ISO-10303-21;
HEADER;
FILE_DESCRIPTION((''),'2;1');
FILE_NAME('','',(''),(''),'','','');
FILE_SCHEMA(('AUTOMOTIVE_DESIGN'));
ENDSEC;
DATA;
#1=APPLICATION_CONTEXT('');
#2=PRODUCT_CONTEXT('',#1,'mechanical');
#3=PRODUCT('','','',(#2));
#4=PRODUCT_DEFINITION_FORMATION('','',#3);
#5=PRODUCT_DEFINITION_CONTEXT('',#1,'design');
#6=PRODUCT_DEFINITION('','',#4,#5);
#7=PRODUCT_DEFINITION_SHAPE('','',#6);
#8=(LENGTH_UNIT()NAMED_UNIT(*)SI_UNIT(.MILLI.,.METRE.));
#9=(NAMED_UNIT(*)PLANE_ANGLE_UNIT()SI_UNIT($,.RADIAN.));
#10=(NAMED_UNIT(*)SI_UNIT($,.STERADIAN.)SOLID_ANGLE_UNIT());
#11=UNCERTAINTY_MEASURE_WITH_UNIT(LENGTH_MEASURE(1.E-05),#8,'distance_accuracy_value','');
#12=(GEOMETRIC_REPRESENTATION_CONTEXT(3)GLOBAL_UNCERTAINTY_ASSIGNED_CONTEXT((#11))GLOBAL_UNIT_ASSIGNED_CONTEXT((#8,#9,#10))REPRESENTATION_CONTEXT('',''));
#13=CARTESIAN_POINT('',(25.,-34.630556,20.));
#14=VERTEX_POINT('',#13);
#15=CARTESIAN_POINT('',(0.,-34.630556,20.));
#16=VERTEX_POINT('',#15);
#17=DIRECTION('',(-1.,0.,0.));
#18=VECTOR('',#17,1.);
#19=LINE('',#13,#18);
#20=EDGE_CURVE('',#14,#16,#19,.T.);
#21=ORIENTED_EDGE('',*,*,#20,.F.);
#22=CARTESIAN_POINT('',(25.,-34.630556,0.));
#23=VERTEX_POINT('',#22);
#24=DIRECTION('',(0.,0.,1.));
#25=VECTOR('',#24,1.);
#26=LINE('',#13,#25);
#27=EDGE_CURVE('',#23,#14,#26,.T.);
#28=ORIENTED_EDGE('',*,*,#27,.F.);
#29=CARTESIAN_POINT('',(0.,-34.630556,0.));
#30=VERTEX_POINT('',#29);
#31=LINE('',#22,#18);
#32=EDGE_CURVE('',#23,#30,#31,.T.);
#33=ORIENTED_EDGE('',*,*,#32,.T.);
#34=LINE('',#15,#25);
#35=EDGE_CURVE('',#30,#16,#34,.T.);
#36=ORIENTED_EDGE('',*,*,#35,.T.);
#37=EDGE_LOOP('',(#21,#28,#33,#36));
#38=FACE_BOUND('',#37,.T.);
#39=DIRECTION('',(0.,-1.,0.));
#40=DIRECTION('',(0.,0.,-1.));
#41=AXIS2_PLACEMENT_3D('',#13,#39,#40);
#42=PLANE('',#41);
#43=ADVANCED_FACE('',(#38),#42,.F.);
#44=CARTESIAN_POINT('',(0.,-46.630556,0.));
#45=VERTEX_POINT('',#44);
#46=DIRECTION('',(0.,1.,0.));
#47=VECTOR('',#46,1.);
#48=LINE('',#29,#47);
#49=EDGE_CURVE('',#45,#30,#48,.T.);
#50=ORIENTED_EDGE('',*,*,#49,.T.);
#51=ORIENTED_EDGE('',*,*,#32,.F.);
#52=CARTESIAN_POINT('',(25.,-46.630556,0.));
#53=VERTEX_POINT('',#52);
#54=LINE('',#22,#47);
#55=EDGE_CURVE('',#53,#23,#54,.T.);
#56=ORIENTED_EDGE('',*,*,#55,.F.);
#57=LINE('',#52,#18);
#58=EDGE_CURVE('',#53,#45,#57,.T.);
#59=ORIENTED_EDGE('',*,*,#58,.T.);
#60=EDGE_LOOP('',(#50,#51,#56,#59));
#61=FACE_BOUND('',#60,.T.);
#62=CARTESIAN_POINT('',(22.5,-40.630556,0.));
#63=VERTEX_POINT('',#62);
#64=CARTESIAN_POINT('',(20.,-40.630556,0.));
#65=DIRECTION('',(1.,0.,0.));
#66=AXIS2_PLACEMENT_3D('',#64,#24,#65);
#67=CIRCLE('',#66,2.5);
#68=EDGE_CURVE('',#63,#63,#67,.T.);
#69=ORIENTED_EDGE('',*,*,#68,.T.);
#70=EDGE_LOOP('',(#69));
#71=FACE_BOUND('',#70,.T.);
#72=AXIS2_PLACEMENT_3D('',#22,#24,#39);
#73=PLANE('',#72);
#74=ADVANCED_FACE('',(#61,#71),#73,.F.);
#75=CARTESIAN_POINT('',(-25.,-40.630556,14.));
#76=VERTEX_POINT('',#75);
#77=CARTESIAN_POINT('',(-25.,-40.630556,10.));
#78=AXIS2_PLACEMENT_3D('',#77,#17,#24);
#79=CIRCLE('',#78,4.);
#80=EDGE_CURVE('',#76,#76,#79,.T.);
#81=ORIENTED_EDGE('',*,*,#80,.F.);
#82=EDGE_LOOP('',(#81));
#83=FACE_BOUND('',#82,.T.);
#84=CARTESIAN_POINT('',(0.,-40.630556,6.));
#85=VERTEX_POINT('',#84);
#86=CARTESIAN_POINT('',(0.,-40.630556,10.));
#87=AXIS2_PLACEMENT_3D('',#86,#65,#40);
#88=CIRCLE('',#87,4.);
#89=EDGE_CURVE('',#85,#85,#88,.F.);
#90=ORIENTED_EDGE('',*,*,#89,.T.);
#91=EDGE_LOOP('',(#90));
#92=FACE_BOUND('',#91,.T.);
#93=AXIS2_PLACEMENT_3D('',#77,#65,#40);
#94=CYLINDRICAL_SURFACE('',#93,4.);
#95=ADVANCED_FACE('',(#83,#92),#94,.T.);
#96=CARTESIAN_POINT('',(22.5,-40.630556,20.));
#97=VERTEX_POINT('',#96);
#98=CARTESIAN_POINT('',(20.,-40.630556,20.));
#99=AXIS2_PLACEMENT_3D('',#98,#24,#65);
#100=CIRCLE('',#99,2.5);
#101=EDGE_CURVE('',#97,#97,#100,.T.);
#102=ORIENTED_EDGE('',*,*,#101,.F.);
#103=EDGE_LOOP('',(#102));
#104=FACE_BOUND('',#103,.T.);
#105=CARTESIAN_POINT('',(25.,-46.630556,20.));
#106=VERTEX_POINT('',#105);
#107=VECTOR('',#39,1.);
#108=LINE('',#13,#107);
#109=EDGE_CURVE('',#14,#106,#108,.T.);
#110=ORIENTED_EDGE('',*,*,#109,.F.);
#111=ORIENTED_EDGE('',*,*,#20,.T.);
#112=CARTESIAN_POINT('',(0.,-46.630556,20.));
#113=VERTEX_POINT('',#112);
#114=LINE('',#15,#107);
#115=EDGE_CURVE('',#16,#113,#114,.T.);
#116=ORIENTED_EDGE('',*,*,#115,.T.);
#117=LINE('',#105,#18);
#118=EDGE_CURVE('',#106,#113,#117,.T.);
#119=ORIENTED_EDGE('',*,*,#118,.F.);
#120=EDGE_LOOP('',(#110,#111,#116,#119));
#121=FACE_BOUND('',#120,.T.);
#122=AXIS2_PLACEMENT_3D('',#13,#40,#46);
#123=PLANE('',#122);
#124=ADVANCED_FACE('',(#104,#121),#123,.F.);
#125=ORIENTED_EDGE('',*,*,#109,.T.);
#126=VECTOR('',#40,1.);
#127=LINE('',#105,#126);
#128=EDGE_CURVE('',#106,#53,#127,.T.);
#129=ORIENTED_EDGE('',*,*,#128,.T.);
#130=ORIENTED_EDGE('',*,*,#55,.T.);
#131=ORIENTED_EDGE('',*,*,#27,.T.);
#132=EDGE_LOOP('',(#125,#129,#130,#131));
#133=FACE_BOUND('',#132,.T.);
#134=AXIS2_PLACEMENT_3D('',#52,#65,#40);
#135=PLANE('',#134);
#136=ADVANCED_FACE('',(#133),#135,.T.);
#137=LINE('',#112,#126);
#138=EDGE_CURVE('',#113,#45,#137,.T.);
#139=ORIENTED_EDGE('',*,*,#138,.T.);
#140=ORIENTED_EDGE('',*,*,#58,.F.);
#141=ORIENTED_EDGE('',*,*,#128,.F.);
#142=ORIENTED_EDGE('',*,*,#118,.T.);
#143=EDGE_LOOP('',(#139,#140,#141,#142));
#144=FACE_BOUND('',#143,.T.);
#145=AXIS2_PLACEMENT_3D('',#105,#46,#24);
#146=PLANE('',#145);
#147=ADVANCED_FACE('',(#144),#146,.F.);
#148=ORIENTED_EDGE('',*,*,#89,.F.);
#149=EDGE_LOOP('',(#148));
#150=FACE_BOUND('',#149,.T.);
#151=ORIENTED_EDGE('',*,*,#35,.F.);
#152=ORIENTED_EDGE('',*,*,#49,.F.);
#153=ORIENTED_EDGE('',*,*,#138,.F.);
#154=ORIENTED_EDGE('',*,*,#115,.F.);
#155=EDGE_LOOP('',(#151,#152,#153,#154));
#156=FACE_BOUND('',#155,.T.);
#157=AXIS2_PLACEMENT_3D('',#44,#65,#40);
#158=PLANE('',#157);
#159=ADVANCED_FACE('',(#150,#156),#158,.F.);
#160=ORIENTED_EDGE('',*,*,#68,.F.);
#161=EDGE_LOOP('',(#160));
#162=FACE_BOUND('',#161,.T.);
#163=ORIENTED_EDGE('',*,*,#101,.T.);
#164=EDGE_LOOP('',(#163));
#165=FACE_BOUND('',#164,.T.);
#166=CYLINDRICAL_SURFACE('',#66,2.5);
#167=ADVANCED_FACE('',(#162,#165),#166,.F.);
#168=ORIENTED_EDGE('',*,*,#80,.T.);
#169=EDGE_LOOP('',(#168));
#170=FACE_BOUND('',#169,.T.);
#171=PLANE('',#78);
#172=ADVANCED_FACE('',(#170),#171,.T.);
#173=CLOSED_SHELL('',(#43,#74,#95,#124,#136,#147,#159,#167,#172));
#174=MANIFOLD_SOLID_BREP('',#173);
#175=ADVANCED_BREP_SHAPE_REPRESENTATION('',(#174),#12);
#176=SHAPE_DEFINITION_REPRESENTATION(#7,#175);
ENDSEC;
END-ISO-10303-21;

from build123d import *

# Parameters (mm, degrees)
SKETCH_1_W          = 20
SKETCH_1_H          = 12
EXTRUDE_1_DEPTH     = 25
SKETCH_5_R          = 2.5
CUT_EXTRUDE_2_DEPTH = 57.563315968
SKETCH1_R           = 4
BOSS_EXTRUDE1_DEPTH = 25


with BuildPart() as part:
    # Эскиз1 → Вытянуть1 (new body)
    with BuildSketch(Plane(origin=(0, 0, 0), x_dir=(0, 0, -1), z_dir=(1, 0, 0))):
        with Locations((-10, -40.630555576)):
            Rectangle(SKETCH_1_W, SKETCH_1_H)
    extrude(amount=EXTRUDE_1_DEPTH)

    # Эскиз5 → Вырез-Вытянуть2 (cut, through all)
    with BuildSketch(Plane.XY.offset(20)):
        with Locations((20, -40.630555576)):
            Circle(SKETCH_5_R)
    extrude(amount=-CUT_EXTRUDE_2_DEPTH, mode=Mode.SUBTRACT)

    # Sketch1 → Boss-Extrude1 (add)
    with BuildSketch(Plane.ZY):
        with Locations(Location((10, -40.630555576, 0), (0, 0, 180))):
            Circle(SKETCH1_R)
    extrude(amount=BOSS_EXTRUDE1_DEPTH)


solid = part.part
